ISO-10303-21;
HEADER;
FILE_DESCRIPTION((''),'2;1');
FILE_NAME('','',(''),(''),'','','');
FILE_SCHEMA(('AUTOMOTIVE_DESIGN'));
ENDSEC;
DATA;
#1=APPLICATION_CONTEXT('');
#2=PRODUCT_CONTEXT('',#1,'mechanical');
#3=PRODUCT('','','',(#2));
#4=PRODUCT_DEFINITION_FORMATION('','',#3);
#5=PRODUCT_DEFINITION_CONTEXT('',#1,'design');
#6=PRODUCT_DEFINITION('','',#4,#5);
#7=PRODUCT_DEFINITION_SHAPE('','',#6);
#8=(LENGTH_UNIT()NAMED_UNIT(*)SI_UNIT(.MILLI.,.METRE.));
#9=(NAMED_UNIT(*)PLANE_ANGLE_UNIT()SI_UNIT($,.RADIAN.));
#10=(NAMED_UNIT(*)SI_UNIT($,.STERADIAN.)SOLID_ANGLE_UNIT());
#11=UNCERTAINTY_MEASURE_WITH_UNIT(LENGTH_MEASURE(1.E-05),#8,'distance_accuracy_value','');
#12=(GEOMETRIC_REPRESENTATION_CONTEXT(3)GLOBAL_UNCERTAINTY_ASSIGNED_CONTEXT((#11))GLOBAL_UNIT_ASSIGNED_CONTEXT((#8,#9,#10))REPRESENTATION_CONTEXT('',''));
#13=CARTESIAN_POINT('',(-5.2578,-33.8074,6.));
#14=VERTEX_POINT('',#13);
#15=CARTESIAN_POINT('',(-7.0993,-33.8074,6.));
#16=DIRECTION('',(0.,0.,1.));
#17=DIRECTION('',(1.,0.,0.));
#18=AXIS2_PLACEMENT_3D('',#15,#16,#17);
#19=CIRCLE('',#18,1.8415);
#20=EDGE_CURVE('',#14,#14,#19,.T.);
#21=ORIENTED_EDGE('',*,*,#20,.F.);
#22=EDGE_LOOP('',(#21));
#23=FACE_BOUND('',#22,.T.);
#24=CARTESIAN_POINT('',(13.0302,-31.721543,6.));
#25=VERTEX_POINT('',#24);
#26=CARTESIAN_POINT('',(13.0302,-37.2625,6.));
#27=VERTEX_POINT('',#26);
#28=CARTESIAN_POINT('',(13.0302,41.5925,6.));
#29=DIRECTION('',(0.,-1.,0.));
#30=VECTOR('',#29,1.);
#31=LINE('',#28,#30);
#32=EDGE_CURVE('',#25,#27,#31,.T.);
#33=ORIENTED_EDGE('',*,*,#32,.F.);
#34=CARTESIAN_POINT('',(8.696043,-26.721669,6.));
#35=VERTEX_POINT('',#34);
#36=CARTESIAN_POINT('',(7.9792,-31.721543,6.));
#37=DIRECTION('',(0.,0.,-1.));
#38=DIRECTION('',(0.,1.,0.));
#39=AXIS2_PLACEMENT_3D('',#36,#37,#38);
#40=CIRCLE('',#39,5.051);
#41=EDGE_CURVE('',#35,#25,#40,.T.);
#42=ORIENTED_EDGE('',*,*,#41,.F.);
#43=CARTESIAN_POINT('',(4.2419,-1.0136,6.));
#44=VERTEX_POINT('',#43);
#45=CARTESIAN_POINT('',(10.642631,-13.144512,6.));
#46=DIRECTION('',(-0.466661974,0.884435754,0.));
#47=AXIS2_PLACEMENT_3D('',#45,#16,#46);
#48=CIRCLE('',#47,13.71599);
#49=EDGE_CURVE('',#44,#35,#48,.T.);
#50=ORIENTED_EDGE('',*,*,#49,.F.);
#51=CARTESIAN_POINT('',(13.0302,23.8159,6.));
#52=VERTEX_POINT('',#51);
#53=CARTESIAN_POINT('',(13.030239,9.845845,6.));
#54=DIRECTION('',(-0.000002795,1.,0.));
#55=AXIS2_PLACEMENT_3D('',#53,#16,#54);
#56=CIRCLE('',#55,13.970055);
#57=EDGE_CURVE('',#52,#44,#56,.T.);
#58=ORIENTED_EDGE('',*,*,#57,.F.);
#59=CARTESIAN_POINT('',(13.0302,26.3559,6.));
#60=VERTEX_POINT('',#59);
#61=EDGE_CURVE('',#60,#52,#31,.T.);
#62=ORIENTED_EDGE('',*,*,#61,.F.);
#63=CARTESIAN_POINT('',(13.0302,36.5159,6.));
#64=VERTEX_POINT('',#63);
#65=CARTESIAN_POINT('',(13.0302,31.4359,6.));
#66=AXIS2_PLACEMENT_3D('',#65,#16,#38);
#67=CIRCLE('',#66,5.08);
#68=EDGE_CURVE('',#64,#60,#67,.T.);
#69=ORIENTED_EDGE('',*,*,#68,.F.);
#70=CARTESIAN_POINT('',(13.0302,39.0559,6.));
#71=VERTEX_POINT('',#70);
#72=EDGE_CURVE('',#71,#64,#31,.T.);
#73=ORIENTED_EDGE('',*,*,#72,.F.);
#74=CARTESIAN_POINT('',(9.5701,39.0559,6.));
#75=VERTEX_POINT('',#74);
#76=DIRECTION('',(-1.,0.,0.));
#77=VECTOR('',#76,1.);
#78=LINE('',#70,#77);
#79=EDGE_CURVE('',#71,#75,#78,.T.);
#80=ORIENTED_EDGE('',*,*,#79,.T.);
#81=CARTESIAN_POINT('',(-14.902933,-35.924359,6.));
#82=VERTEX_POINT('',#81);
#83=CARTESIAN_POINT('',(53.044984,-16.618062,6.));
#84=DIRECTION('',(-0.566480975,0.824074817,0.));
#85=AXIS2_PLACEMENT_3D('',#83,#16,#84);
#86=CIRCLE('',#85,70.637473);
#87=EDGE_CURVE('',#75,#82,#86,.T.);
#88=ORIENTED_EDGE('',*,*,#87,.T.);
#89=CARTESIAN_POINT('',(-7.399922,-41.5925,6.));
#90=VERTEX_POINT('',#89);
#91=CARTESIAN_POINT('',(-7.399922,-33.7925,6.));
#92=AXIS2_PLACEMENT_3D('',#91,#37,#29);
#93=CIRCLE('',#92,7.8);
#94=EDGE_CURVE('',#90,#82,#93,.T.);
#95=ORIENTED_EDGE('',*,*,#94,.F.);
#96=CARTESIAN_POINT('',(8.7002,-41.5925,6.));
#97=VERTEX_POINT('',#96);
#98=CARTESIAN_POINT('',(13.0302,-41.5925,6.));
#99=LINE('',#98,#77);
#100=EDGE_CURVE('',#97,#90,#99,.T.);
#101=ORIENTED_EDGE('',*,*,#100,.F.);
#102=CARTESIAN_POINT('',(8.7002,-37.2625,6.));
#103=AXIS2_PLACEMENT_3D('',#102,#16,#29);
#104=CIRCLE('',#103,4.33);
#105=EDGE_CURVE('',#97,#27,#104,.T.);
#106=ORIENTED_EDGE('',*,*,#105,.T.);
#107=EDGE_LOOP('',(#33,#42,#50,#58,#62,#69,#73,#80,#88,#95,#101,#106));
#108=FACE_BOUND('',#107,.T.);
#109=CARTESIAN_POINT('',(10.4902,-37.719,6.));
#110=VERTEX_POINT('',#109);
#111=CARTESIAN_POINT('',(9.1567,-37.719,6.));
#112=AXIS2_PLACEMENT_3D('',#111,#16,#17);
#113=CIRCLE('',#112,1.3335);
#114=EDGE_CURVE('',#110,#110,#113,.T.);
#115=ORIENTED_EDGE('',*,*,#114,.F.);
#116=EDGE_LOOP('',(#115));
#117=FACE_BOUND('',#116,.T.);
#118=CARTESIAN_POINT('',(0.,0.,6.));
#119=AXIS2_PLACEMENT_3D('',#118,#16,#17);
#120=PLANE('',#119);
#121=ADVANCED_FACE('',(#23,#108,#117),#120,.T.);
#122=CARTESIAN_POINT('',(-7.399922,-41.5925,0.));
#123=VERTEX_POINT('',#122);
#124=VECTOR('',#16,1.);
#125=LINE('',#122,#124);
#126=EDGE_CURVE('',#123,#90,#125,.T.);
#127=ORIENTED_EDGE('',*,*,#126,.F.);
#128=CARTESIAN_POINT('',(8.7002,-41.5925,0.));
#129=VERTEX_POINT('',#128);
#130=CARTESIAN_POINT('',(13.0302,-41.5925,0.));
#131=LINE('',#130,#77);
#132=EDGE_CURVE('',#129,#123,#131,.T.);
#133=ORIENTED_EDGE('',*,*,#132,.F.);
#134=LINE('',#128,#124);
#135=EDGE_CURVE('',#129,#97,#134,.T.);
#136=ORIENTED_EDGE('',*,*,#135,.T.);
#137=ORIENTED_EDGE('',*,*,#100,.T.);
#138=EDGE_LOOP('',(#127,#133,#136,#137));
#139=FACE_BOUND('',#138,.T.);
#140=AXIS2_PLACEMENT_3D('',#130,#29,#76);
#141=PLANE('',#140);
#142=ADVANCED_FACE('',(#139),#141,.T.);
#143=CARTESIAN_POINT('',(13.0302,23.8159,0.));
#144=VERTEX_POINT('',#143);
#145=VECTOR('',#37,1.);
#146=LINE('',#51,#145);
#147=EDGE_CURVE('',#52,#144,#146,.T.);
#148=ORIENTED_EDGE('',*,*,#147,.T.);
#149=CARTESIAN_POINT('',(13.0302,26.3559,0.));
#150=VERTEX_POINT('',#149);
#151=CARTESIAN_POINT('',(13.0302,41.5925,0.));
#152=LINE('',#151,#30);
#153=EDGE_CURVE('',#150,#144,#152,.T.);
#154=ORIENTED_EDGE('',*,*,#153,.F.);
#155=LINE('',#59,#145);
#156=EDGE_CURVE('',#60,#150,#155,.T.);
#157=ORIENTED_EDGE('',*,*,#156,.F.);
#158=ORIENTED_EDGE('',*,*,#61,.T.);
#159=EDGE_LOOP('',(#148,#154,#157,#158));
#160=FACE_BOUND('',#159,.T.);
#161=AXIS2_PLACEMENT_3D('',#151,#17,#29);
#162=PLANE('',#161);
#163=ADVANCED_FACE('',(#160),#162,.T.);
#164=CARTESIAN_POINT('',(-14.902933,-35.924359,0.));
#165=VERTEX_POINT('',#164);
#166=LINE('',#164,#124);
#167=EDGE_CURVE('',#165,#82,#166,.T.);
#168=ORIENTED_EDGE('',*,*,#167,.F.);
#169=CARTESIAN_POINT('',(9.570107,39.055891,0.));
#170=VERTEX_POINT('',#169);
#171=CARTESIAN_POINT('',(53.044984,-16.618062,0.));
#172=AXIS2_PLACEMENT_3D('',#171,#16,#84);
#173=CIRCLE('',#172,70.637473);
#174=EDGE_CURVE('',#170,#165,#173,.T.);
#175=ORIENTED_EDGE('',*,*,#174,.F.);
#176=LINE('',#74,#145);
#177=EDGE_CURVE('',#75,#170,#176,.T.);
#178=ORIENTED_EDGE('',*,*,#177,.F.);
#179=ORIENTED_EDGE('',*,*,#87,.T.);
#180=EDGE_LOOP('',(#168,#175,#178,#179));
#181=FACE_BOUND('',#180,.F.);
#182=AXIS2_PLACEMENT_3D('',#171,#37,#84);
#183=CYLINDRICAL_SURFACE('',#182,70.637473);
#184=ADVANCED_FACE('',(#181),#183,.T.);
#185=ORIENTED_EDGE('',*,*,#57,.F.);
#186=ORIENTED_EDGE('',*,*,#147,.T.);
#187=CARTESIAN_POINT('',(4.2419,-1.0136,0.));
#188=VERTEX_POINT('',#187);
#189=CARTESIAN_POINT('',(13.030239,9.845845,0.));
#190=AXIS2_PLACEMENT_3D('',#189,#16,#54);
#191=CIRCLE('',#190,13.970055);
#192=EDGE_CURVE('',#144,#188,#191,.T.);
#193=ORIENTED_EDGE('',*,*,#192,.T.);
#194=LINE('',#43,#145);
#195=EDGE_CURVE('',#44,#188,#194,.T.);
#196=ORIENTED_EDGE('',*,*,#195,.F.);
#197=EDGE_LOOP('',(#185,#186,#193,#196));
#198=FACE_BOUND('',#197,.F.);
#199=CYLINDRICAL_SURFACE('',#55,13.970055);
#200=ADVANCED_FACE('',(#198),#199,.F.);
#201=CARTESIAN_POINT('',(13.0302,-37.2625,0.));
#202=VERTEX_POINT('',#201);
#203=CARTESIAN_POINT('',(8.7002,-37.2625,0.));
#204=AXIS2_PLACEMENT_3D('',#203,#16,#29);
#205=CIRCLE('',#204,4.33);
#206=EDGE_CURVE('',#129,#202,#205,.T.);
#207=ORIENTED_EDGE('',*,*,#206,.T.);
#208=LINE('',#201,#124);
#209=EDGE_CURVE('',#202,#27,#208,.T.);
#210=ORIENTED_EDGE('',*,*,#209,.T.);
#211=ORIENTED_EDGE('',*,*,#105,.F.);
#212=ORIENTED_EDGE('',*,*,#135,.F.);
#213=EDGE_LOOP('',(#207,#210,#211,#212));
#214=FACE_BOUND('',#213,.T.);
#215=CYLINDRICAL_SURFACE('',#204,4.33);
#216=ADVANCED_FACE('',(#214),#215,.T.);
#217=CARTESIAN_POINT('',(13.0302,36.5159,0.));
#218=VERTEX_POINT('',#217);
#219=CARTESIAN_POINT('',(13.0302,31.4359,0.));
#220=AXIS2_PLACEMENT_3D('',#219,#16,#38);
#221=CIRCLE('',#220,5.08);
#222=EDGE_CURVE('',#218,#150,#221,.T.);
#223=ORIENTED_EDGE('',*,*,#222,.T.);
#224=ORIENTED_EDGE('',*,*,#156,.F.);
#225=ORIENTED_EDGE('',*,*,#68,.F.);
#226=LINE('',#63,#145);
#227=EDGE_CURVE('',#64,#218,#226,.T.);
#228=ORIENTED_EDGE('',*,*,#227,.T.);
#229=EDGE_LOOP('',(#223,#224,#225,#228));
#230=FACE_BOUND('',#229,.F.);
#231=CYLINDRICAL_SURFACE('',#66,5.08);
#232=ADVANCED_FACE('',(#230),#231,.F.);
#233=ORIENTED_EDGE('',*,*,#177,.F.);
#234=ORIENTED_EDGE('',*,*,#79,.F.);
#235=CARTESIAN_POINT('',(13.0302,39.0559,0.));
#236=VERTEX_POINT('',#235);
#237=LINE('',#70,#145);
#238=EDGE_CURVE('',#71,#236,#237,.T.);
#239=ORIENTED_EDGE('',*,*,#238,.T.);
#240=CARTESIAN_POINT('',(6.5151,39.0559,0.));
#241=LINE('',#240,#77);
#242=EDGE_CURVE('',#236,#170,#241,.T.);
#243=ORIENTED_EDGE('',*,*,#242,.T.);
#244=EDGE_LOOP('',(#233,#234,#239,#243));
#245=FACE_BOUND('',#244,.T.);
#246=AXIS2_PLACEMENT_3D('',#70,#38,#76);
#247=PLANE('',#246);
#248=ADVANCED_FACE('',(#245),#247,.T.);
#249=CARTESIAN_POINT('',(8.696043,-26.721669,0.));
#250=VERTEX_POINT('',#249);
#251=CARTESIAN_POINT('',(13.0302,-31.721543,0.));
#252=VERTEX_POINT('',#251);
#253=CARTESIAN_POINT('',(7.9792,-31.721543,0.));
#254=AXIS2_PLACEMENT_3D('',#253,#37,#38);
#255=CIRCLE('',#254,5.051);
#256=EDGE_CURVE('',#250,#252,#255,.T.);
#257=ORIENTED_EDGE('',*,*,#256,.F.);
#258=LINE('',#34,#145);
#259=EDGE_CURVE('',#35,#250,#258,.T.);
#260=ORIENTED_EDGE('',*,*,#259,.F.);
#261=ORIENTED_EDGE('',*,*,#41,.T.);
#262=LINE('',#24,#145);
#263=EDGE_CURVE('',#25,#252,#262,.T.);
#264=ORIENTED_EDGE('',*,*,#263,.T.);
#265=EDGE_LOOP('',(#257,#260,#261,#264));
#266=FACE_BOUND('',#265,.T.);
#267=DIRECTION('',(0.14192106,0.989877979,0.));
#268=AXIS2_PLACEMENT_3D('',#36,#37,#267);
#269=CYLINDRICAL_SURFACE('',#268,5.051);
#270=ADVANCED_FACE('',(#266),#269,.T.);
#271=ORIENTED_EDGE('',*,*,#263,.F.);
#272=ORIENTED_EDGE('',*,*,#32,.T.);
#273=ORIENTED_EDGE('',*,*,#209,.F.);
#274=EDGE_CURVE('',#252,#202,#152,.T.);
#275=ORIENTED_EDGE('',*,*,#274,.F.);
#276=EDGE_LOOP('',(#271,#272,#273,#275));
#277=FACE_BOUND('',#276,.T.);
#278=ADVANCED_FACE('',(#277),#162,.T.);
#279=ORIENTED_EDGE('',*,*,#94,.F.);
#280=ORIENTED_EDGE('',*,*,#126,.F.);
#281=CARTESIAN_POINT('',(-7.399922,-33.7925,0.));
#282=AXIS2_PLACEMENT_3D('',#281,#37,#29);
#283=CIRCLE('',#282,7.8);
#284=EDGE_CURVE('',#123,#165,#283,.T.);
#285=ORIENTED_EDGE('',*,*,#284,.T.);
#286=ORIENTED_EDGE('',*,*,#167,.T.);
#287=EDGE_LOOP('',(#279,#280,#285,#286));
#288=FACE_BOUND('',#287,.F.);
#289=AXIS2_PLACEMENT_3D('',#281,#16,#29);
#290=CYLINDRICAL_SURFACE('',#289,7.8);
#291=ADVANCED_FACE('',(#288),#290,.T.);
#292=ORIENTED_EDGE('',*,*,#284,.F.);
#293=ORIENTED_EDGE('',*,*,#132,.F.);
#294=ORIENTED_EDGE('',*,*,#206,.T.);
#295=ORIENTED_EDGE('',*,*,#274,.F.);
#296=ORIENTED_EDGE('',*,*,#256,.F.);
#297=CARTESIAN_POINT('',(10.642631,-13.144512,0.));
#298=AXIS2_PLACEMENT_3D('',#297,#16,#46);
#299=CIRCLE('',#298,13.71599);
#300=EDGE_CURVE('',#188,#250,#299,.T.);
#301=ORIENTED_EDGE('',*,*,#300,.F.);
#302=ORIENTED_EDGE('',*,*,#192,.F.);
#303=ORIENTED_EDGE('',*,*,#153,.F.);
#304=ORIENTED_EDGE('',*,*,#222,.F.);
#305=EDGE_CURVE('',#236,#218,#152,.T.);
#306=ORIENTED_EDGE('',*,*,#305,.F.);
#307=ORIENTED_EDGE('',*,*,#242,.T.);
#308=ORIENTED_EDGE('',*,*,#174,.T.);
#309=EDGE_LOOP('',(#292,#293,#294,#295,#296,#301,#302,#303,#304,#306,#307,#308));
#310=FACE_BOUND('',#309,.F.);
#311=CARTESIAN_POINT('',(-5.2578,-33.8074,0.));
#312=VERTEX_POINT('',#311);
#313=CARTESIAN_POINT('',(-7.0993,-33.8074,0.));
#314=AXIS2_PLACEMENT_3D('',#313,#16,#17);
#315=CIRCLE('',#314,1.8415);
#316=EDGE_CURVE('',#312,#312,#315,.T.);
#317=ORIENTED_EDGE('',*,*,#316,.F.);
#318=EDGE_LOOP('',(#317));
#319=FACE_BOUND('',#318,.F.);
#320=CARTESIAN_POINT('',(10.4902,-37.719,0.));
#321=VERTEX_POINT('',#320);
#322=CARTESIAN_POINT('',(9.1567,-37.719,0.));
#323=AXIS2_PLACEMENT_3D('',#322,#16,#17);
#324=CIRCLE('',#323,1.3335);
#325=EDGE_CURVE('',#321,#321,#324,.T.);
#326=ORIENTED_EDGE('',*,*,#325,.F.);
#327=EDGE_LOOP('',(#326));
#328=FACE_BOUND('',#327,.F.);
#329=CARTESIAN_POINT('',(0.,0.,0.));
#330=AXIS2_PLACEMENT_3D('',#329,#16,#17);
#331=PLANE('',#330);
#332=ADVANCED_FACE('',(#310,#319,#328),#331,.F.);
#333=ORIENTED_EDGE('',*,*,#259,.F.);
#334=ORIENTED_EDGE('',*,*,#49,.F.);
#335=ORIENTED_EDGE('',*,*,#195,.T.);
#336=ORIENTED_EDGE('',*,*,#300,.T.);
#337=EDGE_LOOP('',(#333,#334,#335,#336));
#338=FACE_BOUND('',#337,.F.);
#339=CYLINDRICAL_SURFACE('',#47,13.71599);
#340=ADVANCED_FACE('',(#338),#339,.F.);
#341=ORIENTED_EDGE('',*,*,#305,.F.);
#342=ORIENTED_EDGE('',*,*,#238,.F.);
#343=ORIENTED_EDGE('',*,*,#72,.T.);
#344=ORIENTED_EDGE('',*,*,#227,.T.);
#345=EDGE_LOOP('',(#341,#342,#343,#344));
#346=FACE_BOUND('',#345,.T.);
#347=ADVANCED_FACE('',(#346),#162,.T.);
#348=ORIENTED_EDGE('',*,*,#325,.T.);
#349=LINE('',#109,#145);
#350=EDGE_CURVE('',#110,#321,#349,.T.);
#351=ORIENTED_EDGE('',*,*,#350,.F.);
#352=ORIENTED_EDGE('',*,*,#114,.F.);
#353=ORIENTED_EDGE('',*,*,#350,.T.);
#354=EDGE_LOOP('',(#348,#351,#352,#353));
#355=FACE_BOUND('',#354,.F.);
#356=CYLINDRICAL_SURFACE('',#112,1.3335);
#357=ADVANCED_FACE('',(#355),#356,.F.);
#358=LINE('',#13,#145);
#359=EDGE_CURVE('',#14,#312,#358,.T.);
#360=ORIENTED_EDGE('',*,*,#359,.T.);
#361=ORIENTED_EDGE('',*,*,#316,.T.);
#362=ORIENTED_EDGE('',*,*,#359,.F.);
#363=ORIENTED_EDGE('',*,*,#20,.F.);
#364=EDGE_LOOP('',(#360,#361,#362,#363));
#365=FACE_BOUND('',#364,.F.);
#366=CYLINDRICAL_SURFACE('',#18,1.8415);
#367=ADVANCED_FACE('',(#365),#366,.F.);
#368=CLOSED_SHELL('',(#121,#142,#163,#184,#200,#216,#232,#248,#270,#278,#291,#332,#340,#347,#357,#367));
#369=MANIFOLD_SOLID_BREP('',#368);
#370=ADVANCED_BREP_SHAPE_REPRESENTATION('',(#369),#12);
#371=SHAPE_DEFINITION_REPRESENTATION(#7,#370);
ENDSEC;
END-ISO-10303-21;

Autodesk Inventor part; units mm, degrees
ref_plane "YZ Plane" through (0, 0, 0) normal (1, 0, 0) x (0, 1, 0)
ref_plane "XZ Plane" through (0, 0, 0) normal (0, 1, 0) x (-1, 0, 0)
ref_plane "XY Plane" through (0, 0, 0) normal (0, 0, 1) x (1, 0, 0)
sketch "Sketch2" plane through (0, 0, 0) normal (0, 0, 1) x (1, 0, 0)
  line L0 (13.0302, 41.5925) -> (13.0302, -41.5925)
  line L1 (13.0302, -41.5925) -> (-13.0302, -41.5925)
  arc A0 (13.0302, 41.5925) -> (-13.0302, -41.5925) centre (53.0449, -16.618) ccw
  point P0 (0, 0)
  point P1 (13.0302, 0)
  point P2 (0, -41.5925)
  dimension "d6" = 26.0604
  dimension "d32" = 70.6374
  dimension "d33" = 83.185
extrude "Extrusion1" add sketch "Sketch2" along normal blind 6
fillet "Fillet2" radius 7.8 1 edges at (-13.0302, -41.5925, 3)
fillet "Fillet3" radius 4.33 1 edges at (13.0302, -41.5925, 3)
sketch "Sketch6" plane through (0, 0, 6) normal (0, 0, 1) x (1, 0, 0)
  line L0 (13.0302, -37.2625) -> (13.0302, 41.5925) projected
  arc A0 (8.7002, -41.5925) -> (13.0302, -37.2625) centre (8.7002, -37.2625) ccw projected
  line L1 (13.0302, -37.2625) -> (13.0302, 41.5925) projected
  arc A1 (13.0302, 41.5925) -> (-14.9029, -35.9244) centre (53.0449, -16.618) ccw projected
  arc A2 (-14.9029, -35.9244) -> (-7.3999, -41.5925) centre (-7.3999, -33.7925) ccw projected
  line L2 (-7.3999, -41.5925) -> (8.7002, -41.5925) projected
  arc A3 (4.2419, -1.0136) -> (13.0302, -26.6511) centre (10.6426, -13.1445) ccw
  line L3 (13.0302, 0.3621) -> (13.0302, -26.6511)
  arc A4 (13.0302, 23.8159) -> (4.2419, -1.0136) centre (13.0302, 9.8459) ccw
  line L4 (13.0302, 0.3621) -> (13.0302, -4.1241)
  line L5 (13.0302, 0.3621) -> (13.0302, 23.8159)
  point P0 (0, 0)
  dimension "d37" = 2.3876
  dimension "d38" = 13.716
  dimension "d39" = 14.732
  dimension "d41" = 50.8
  dimension "d42" = 13.97
extrude "Extrusion4" cut sketch "Sketch6" against normal through all contours A3 A4 L0
sketch "Sketch7" plane through (0, 0, 6) normal (0, 0, 1) x (1, 0, 0)
  arc A0 (13.0302, 23.8159) -> (4.2419, -1.0136) centre (13.0302, 9.8459) ccw projected
  line L0 (13.0302, 23.8159) -> (13.0302, 41.5925) projected
  arc A1 (13.0302, 41.5925) -> (-14.9029, -35.9244) centre (53.0449, -16.618) ccw projected
  arc A2 (-14.9029, -35.9244) -> (-7.3999, -41.5925) centre (-7.3999, -33.7925) ccw projected
  line L1 (-7.3999, -41.5925) -> (8.7002, -41.5925) projected
  arc A3 (8.7002, -41.5925) -> (13.0302, -37.2625) centre (8.7002, -37.2625) ccw projected
  line L2 (13.0302, -37.2625) -> (13.0302, -26.6511) projected
  arc A4 (4.2419, -1.0136) -> (13.0302, -26.6511) centre (10.6426, -13.1445) ccw projected
  line L3 (13.0302, 23.8159) -> (13.0302, 41.5925) projected
  line L4 (13.0302, 23.8159) -> (17.2669, 23.8159) construction
  arc A5 (13.0302, 36.5159) -> (13.0302, 26.3559) centre (13.0302, 31.4359) ccw
  line L5 (13.0302, 36.5159) -> (13.0302, 26.3559)
  point P0 (0, 0)
  dimension "d46" = 10.16
  dimension "d47" = 2.54
extrude "Extrusion5" cut sketch "Sketch7" against normal through all contours A5 L0
sketch "Sketch8" plane through (0, 0, 6) normal (0, 0, 1) x (1, 0, 0)
  arc A0 (13.0302, 36.5159) -> (13.0302, 26.3559) centre (13.0302, 31.4359) ccw projected
  line L0 (13.0302, 36.5159) -> (13.0302, 41.5925) projected
  arc A1 (13.0302, 41.5925) -> (-14.9029, -35.9244) centre (53.0449, -16.618) ccw projected
  arc A2 (-14.9029, -35.9244) -> (-7.3999, -41.5925) centre (-7.3999, -33.7925) ccw projected
  line L1 (-7.3999, -41.5925) -> (8.7002, -41.5925) projected
  arc A3 (8.7002, -41.5925) -> (13.0302, -37.2625) centre (8.7002, -37.2625) ccw projected
  line L2 (13.0302, -37.2625) -> (13.0302, -26.6511) projected
  arc A4 (4.2419, -1.0136) -> (13.0302, -26.6511) centre (10.6426, -13.1445) ccw projected
  arc A5 (13.0302, 23.8159) -> (4.2419, -1.0136) centre (13.0302, 9.8459) ccw projected
  line L3 (13.0302, 23.8159) -> (13.0302, 26.3559) projected
  line L4 (13.0302, 39.0559) -> (9.5701, 39.0559)
  arc A6 (13.0302, 41.5925) -> (-14.9029, -35.9244) centre (53.0449, -16.618) ccw projected
  line L5 (13.0302, 36.5159) -> (13.0302, 41.5925) projected
  point P0 (0, 0)
  dimension "d50" = 2.54
extrude "Extrusion6" cut sketch "Sketch8" against normal through all contours L4 A1 L0
fillet "Fillet4" radius 5.051 1 edges at (13.0302, -26.6511, 3)
sketch "Sketch9" plane through (0, 0, 6) normal (0, 0, 1) x (1, 0, 0)
  arc A0 (13.0302, -31.7215) -> (8.696, -26.7217) centre (7.9792, -31.7215) ccw projected
  arc A1 (4.2419, -1.0136) -> (8.696, -26.7217) centre (10.6426, -13.1445) ccw projected
  arc A2 (13.0302, 23.8159) -> (4.2419, -1.0136) centre (13.0302, 9.8459) ccw projected
  line L0 (13.0302, 23.8159) -> (13.0302, 26.3559) projected
  arc A3 (13.0302, 36.5159) -> (13.0302, 26.3559) centre (13.0302, 31.4359) ccw projected
  arc A4 (9.5701, 39.0559) -> (-14.9029, -35.9244) centre (53.0449, -16.618) ccw projected
  arc A5 (-14.9029, -35.9244) -> (-7.3999, -41.5925) centre (-7.3999, -33.7925) ccw projected
  line L1 (-7.3999, -41.5925) -> (8.7002, -41.5925) projected
  arc A6 (8.7002, -41.5925) -> (13.0302, -37.2625) centre (8.7002, -37.2625) ccw projected
  line L2 (13.0302, -37.2625) -> (13.0302, -31.7215) projected
  circle A7 centre (9.1567, -37.719) radius 1.3335
  circle A8 centre (-7.0993, -33.8074) radius 1.8415
  line L3 (13.0302, 36.5159) -> (13.0302, 39.0559) projected
  line L4 (13.0302, 39.0559) -> (9.5701, 39.0559) projected
  point P0 (0, 0)
  dimension "d54" = 2.54
  dimension "d55" = 2.54
  dimension "d56" = 2.667
  dimension "d57" = 5.9436
  dimension "d58" = 16.256
  dimension "d59" = 3.683
extrude "Extrusion7" cut sketch "Sketch9" against normal through all contours A7 | A8
properties part number "GripperFingersExtended"
